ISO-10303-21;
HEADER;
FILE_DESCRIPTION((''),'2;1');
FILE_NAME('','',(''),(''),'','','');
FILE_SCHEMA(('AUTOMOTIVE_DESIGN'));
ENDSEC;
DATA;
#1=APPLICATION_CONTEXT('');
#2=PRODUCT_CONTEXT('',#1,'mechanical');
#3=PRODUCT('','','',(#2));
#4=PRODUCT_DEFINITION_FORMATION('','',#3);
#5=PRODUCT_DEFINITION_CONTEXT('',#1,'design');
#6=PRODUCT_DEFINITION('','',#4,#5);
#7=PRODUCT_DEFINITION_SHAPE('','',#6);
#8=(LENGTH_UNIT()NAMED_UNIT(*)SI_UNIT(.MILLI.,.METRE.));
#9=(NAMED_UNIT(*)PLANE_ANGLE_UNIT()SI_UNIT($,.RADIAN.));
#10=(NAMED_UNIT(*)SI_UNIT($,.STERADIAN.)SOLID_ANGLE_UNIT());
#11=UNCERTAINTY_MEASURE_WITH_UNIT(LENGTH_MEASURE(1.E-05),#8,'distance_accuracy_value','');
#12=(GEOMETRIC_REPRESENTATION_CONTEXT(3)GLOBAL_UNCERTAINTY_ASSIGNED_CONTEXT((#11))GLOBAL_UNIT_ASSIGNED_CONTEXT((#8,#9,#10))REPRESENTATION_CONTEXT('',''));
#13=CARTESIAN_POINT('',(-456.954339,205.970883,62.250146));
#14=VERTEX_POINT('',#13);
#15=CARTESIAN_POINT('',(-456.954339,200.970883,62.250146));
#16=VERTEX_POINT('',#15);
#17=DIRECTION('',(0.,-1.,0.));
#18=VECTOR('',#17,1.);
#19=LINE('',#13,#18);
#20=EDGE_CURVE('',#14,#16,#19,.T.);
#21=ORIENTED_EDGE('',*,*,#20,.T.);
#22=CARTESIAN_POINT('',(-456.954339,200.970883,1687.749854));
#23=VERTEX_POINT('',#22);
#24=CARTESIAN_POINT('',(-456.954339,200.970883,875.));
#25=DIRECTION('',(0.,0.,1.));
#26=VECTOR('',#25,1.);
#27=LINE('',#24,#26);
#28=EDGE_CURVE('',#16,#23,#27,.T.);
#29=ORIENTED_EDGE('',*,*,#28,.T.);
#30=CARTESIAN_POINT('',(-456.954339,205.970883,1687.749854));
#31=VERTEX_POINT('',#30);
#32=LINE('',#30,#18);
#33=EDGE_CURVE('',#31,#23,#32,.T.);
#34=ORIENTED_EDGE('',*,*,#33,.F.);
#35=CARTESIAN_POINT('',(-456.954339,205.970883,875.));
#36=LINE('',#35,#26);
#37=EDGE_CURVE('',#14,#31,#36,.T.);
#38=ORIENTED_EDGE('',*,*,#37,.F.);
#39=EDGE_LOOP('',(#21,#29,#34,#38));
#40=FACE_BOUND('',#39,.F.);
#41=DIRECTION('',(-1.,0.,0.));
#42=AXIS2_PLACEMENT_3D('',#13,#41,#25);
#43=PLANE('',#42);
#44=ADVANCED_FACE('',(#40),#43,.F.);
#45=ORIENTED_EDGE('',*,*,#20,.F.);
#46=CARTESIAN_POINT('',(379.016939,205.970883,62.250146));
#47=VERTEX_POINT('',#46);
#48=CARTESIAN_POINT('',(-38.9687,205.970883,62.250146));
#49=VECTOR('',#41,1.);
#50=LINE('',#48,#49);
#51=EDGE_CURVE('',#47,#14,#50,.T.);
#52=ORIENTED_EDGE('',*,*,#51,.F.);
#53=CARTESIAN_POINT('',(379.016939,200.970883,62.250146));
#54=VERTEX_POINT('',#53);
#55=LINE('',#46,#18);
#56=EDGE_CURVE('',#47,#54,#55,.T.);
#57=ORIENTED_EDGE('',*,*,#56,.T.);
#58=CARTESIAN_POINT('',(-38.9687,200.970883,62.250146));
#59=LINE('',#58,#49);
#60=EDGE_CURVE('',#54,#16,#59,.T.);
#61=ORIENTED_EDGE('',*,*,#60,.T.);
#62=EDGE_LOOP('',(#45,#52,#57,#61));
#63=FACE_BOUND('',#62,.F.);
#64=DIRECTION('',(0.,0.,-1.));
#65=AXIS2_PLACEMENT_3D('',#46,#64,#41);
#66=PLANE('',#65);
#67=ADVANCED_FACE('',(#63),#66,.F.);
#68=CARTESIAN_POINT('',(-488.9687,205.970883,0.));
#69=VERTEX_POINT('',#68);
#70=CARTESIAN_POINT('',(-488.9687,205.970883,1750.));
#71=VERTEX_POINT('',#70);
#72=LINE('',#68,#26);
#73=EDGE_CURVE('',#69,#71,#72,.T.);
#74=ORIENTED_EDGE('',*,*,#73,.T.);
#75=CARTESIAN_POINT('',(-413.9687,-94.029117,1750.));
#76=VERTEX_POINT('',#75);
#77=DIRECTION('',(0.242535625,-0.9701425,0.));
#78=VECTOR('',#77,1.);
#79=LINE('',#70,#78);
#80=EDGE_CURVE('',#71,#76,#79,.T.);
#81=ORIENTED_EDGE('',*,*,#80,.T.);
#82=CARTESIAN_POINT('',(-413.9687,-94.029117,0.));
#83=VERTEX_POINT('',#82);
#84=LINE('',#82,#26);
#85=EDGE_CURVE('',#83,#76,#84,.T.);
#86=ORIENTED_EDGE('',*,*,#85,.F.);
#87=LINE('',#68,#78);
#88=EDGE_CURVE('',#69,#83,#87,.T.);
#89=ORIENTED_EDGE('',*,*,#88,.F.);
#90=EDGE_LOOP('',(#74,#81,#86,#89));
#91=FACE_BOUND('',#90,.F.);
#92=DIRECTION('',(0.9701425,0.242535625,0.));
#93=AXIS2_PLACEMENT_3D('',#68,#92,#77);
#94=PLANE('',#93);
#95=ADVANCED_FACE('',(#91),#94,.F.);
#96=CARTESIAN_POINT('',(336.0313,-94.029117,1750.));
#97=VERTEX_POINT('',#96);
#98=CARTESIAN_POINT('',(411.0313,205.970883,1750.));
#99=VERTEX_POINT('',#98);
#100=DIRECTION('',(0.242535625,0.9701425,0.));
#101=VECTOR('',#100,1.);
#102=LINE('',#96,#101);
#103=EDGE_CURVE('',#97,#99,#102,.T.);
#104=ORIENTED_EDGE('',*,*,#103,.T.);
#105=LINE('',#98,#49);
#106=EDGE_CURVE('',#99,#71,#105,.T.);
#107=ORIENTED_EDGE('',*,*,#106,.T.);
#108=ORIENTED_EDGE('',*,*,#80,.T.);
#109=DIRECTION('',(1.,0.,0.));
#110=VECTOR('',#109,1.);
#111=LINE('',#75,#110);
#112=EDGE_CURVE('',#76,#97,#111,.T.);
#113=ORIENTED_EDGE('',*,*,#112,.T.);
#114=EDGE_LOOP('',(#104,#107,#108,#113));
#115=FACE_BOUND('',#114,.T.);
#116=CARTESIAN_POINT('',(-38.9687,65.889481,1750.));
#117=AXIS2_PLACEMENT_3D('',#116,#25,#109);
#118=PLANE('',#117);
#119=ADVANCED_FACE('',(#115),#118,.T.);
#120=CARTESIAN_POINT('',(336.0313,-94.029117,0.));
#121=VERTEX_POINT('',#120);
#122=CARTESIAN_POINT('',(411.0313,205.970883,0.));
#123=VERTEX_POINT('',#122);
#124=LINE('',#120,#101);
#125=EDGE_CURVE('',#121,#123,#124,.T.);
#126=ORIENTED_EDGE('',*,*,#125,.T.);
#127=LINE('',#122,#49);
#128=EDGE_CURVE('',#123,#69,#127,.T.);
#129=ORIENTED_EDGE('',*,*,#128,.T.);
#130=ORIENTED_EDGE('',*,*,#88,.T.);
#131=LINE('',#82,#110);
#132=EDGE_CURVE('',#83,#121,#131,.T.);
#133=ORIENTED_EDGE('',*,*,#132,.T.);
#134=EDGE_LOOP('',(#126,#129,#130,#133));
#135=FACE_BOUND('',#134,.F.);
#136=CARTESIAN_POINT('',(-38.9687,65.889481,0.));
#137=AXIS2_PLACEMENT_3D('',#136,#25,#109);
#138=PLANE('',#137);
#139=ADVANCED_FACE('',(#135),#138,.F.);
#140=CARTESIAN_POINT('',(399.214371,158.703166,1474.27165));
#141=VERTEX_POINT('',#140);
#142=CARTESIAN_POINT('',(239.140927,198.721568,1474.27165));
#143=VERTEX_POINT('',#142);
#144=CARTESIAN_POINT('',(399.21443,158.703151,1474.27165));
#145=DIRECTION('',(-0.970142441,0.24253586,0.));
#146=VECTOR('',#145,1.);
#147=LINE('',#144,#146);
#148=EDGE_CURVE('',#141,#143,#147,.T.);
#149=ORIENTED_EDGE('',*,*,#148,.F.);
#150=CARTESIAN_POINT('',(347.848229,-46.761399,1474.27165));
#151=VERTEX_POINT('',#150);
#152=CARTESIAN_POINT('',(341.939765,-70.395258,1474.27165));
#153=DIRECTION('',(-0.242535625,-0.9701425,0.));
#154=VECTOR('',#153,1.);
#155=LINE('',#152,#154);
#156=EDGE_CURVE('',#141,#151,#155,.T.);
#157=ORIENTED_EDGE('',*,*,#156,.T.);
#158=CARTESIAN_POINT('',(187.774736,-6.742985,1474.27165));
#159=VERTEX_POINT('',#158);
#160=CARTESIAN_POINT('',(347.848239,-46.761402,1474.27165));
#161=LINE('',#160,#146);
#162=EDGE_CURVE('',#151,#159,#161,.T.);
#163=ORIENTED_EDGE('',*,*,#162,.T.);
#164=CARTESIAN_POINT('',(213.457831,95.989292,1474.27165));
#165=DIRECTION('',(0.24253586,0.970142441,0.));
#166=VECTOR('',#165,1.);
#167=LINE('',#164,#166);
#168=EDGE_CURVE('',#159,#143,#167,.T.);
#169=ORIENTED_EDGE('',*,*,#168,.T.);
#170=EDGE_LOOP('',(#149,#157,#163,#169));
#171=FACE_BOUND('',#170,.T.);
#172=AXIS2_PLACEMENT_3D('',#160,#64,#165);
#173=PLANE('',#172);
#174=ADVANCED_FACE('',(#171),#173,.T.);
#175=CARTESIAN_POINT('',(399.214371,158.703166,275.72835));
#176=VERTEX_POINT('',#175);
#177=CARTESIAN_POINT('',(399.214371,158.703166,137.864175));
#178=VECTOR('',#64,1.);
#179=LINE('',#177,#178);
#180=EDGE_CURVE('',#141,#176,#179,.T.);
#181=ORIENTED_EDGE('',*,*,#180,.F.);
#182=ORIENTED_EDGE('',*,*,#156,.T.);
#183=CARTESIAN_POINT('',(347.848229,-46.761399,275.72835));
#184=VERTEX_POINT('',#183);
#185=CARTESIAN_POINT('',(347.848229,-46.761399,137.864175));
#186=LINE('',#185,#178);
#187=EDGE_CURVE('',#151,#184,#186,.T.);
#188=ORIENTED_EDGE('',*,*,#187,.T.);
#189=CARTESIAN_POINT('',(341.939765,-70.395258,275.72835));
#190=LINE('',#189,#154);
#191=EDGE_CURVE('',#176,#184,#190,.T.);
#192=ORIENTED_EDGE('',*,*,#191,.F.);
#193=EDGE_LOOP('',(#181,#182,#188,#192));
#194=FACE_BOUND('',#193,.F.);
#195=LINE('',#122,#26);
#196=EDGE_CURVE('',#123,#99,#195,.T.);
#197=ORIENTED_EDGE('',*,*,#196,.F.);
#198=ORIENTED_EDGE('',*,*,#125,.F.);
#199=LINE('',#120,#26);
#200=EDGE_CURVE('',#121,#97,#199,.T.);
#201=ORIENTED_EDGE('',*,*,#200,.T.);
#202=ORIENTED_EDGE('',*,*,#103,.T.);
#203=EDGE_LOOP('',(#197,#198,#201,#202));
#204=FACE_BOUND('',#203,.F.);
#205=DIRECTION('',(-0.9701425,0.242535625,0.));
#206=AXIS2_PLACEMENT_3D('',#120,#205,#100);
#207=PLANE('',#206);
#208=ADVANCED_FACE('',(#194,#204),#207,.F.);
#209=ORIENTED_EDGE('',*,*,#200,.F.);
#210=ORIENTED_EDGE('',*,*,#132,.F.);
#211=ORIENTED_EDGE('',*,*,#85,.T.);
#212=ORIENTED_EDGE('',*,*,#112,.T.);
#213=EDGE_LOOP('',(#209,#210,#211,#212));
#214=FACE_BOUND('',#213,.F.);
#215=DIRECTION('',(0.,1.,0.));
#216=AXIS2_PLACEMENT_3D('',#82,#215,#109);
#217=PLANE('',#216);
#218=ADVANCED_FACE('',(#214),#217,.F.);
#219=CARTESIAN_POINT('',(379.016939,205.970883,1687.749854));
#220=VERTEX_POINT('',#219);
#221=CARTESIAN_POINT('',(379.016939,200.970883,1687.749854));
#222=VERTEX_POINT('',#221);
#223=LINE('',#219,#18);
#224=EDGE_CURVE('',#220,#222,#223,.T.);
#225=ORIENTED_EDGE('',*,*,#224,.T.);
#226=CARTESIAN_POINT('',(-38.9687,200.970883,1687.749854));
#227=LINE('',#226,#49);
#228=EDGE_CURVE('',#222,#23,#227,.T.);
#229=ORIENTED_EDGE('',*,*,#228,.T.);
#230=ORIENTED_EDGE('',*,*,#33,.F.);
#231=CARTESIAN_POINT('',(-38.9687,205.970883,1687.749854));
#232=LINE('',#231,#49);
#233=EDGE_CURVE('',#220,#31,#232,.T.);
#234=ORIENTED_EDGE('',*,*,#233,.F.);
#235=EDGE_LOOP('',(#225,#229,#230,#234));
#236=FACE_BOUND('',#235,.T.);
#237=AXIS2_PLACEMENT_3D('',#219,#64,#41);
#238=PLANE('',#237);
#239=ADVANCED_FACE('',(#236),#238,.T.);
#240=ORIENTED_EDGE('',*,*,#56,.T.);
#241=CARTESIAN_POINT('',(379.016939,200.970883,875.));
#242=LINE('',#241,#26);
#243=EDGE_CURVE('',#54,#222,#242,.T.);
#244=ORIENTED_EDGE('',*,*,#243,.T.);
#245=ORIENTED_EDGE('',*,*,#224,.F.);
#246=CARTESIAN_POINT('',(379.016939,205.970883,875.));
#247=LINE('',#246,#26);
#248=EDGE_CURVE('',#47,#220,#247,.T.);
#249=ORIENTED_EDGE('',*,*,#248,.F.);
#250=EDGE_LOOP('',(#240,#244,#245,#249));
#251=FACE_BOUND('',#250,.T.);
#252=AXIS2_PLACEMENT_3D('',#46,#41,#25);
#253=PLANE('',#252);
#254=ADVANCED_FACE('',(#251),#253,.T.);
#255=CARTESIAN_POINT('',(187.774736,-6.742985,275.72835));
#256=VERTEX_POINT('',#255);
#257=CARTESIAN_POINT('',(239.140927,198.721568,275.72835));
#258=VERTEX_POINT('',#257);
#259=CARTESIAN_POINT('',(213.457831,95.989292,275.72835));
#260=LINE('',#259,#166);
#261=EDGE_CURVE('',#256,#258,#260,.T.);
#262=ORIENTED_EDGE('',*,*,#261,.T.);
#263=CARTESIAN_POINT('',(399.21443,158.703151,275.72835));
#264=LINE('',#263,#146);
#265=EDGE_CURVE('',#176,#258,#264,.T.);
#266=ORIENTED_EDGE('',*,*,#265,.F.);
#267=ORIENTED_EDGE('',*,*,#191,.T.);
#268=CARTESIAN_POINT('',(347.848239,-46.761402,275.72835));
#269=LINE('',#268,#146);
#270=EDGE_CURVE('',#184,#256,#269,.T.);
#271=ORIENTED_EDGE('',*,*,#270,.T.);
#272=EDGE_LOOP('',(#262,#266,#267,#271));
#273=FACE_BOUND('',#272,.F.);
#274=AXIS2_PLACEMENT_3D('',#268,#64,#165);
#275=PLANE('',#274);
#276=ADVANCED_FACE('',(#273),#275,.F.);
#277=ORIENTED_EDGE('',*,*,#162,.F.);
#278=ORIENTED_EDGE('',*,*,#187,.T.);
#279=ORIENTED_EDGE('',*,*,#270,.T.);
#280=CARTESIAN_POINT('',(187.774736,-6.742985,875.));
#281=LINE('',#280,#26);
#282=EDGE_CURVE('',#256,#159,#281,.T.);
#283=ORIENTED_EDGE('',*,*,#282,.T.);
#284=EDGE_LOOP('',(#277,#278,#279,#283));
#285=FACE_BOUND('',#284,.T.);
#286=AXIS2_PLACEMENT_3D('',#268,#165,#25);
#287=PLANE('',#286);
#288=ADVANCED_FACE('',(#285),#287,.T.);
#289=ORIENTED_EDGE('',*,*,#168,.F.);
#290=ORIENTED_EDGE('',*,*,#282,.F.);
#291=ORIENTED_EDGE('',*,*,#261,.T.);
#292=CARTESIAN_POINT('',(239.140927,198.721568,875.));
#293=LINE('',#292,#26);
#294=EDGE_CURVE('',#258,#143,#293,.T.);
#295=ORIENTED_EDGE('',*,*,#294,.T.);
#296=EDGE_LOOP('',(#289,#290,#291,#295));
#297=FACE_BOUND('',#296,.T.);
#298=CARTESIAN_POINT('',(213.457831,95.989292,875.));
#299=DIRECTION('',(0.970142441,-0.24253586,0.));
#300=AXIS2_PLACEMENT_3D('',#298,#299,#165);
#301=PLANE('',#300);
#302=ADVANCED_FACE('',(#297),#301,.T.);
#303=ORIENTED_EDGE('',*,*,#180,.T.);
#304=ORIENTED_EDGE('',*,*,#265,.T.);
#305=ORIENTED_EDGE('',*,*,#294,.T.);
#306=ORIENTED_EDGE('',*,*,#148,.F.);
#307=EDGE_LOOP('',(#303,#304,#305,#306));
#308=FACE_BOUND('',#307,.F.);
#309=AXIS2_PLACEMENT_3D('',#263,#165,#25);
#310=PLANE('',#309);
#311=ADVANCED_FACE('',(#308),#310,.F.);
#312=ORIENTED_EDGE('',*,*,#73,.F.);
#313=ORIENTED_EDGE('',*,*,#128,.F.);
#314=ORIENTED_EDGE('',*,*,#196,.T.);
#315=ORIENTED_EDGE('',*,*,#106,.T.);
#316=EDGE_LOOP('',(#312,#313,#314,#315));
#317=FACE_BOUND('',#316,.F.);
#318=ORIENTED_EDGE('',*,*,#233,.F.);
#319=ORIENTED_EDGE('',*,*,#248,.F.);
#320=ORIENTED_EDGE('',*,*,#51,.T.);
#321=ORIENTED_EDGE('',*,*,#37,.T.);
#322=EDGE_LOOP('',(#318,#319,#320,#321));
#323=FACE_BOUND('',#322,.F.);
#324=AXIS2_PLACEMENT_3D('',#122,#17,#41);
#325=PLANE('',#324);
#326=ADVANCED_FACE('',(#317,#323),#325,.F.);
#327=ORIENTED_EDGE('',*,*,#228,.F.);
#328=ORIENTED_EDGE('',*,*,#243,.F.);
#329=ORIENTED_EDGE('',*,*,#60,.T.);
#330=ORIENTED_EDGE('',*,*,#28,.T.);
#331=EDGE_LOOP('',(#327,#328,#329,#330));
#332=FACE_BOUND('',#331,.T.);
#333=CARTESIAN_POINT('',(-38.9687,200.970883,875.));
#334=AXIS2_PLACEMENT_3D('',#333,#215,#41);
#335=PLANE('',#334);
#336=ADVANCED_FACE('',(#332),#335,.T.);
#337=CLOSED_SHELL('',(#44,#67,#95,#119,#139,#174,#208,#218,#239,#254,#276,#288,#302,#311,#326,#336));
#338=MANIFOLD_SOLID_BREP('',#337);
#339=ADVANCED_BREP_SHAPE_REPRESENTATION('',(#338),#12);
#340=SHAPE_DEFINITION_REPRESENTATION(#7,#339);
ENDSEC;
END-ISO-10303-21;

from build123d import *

# Parameters (mm, degrees)
F1_DEPTH = 1750
F2_W     = 835.971278
F2_H     = 1625.499708
F3_DEPTH = 5
F4_W     = 211.788026
F4_H     = 1198.5433
F5_DEPTH = 165


with BuildPart() as f1:
    # F0 (on Top) → F1 (new body)
    with BuildSketch(Plane.XY):
        Polygon((-488.9687, 205.970883), (-413.9687, -94.029117), (336.0313, -94.029117), (411.0313, 205.970883), (-38.9687, 205.970883), align=None)
    extrude(amount=F1_DEPTH)

    # F2 (on face) → F3 (cut)
    with BuildSketch(Plane(origin=(0, 205.970883, 0), x_dir=(-1, 0, 0), z_dir=(0, 1, 0))):
        with Locations((38.9687, 875)):
            Rectangle(F2_W, F2_H)
    extrude(amount=-F3_DEPTH, mode=Mode.SUBTRACT)

    # F4 (on face) → F5 (cut)
    with BuildSketch(Plane(origin=(338.389251, -84.597313, 0), x_dir=(0.242536, 0.970143, 0), z_dir=(0.970143, -0.242536, 0))):
        with Locations((144.89438, 875)):
            Rectangle(F4_W, F4_H)
    extrude(amount=-F5_DEPTH, mode=Mode.SUBTRACT)


solid = f1.part
